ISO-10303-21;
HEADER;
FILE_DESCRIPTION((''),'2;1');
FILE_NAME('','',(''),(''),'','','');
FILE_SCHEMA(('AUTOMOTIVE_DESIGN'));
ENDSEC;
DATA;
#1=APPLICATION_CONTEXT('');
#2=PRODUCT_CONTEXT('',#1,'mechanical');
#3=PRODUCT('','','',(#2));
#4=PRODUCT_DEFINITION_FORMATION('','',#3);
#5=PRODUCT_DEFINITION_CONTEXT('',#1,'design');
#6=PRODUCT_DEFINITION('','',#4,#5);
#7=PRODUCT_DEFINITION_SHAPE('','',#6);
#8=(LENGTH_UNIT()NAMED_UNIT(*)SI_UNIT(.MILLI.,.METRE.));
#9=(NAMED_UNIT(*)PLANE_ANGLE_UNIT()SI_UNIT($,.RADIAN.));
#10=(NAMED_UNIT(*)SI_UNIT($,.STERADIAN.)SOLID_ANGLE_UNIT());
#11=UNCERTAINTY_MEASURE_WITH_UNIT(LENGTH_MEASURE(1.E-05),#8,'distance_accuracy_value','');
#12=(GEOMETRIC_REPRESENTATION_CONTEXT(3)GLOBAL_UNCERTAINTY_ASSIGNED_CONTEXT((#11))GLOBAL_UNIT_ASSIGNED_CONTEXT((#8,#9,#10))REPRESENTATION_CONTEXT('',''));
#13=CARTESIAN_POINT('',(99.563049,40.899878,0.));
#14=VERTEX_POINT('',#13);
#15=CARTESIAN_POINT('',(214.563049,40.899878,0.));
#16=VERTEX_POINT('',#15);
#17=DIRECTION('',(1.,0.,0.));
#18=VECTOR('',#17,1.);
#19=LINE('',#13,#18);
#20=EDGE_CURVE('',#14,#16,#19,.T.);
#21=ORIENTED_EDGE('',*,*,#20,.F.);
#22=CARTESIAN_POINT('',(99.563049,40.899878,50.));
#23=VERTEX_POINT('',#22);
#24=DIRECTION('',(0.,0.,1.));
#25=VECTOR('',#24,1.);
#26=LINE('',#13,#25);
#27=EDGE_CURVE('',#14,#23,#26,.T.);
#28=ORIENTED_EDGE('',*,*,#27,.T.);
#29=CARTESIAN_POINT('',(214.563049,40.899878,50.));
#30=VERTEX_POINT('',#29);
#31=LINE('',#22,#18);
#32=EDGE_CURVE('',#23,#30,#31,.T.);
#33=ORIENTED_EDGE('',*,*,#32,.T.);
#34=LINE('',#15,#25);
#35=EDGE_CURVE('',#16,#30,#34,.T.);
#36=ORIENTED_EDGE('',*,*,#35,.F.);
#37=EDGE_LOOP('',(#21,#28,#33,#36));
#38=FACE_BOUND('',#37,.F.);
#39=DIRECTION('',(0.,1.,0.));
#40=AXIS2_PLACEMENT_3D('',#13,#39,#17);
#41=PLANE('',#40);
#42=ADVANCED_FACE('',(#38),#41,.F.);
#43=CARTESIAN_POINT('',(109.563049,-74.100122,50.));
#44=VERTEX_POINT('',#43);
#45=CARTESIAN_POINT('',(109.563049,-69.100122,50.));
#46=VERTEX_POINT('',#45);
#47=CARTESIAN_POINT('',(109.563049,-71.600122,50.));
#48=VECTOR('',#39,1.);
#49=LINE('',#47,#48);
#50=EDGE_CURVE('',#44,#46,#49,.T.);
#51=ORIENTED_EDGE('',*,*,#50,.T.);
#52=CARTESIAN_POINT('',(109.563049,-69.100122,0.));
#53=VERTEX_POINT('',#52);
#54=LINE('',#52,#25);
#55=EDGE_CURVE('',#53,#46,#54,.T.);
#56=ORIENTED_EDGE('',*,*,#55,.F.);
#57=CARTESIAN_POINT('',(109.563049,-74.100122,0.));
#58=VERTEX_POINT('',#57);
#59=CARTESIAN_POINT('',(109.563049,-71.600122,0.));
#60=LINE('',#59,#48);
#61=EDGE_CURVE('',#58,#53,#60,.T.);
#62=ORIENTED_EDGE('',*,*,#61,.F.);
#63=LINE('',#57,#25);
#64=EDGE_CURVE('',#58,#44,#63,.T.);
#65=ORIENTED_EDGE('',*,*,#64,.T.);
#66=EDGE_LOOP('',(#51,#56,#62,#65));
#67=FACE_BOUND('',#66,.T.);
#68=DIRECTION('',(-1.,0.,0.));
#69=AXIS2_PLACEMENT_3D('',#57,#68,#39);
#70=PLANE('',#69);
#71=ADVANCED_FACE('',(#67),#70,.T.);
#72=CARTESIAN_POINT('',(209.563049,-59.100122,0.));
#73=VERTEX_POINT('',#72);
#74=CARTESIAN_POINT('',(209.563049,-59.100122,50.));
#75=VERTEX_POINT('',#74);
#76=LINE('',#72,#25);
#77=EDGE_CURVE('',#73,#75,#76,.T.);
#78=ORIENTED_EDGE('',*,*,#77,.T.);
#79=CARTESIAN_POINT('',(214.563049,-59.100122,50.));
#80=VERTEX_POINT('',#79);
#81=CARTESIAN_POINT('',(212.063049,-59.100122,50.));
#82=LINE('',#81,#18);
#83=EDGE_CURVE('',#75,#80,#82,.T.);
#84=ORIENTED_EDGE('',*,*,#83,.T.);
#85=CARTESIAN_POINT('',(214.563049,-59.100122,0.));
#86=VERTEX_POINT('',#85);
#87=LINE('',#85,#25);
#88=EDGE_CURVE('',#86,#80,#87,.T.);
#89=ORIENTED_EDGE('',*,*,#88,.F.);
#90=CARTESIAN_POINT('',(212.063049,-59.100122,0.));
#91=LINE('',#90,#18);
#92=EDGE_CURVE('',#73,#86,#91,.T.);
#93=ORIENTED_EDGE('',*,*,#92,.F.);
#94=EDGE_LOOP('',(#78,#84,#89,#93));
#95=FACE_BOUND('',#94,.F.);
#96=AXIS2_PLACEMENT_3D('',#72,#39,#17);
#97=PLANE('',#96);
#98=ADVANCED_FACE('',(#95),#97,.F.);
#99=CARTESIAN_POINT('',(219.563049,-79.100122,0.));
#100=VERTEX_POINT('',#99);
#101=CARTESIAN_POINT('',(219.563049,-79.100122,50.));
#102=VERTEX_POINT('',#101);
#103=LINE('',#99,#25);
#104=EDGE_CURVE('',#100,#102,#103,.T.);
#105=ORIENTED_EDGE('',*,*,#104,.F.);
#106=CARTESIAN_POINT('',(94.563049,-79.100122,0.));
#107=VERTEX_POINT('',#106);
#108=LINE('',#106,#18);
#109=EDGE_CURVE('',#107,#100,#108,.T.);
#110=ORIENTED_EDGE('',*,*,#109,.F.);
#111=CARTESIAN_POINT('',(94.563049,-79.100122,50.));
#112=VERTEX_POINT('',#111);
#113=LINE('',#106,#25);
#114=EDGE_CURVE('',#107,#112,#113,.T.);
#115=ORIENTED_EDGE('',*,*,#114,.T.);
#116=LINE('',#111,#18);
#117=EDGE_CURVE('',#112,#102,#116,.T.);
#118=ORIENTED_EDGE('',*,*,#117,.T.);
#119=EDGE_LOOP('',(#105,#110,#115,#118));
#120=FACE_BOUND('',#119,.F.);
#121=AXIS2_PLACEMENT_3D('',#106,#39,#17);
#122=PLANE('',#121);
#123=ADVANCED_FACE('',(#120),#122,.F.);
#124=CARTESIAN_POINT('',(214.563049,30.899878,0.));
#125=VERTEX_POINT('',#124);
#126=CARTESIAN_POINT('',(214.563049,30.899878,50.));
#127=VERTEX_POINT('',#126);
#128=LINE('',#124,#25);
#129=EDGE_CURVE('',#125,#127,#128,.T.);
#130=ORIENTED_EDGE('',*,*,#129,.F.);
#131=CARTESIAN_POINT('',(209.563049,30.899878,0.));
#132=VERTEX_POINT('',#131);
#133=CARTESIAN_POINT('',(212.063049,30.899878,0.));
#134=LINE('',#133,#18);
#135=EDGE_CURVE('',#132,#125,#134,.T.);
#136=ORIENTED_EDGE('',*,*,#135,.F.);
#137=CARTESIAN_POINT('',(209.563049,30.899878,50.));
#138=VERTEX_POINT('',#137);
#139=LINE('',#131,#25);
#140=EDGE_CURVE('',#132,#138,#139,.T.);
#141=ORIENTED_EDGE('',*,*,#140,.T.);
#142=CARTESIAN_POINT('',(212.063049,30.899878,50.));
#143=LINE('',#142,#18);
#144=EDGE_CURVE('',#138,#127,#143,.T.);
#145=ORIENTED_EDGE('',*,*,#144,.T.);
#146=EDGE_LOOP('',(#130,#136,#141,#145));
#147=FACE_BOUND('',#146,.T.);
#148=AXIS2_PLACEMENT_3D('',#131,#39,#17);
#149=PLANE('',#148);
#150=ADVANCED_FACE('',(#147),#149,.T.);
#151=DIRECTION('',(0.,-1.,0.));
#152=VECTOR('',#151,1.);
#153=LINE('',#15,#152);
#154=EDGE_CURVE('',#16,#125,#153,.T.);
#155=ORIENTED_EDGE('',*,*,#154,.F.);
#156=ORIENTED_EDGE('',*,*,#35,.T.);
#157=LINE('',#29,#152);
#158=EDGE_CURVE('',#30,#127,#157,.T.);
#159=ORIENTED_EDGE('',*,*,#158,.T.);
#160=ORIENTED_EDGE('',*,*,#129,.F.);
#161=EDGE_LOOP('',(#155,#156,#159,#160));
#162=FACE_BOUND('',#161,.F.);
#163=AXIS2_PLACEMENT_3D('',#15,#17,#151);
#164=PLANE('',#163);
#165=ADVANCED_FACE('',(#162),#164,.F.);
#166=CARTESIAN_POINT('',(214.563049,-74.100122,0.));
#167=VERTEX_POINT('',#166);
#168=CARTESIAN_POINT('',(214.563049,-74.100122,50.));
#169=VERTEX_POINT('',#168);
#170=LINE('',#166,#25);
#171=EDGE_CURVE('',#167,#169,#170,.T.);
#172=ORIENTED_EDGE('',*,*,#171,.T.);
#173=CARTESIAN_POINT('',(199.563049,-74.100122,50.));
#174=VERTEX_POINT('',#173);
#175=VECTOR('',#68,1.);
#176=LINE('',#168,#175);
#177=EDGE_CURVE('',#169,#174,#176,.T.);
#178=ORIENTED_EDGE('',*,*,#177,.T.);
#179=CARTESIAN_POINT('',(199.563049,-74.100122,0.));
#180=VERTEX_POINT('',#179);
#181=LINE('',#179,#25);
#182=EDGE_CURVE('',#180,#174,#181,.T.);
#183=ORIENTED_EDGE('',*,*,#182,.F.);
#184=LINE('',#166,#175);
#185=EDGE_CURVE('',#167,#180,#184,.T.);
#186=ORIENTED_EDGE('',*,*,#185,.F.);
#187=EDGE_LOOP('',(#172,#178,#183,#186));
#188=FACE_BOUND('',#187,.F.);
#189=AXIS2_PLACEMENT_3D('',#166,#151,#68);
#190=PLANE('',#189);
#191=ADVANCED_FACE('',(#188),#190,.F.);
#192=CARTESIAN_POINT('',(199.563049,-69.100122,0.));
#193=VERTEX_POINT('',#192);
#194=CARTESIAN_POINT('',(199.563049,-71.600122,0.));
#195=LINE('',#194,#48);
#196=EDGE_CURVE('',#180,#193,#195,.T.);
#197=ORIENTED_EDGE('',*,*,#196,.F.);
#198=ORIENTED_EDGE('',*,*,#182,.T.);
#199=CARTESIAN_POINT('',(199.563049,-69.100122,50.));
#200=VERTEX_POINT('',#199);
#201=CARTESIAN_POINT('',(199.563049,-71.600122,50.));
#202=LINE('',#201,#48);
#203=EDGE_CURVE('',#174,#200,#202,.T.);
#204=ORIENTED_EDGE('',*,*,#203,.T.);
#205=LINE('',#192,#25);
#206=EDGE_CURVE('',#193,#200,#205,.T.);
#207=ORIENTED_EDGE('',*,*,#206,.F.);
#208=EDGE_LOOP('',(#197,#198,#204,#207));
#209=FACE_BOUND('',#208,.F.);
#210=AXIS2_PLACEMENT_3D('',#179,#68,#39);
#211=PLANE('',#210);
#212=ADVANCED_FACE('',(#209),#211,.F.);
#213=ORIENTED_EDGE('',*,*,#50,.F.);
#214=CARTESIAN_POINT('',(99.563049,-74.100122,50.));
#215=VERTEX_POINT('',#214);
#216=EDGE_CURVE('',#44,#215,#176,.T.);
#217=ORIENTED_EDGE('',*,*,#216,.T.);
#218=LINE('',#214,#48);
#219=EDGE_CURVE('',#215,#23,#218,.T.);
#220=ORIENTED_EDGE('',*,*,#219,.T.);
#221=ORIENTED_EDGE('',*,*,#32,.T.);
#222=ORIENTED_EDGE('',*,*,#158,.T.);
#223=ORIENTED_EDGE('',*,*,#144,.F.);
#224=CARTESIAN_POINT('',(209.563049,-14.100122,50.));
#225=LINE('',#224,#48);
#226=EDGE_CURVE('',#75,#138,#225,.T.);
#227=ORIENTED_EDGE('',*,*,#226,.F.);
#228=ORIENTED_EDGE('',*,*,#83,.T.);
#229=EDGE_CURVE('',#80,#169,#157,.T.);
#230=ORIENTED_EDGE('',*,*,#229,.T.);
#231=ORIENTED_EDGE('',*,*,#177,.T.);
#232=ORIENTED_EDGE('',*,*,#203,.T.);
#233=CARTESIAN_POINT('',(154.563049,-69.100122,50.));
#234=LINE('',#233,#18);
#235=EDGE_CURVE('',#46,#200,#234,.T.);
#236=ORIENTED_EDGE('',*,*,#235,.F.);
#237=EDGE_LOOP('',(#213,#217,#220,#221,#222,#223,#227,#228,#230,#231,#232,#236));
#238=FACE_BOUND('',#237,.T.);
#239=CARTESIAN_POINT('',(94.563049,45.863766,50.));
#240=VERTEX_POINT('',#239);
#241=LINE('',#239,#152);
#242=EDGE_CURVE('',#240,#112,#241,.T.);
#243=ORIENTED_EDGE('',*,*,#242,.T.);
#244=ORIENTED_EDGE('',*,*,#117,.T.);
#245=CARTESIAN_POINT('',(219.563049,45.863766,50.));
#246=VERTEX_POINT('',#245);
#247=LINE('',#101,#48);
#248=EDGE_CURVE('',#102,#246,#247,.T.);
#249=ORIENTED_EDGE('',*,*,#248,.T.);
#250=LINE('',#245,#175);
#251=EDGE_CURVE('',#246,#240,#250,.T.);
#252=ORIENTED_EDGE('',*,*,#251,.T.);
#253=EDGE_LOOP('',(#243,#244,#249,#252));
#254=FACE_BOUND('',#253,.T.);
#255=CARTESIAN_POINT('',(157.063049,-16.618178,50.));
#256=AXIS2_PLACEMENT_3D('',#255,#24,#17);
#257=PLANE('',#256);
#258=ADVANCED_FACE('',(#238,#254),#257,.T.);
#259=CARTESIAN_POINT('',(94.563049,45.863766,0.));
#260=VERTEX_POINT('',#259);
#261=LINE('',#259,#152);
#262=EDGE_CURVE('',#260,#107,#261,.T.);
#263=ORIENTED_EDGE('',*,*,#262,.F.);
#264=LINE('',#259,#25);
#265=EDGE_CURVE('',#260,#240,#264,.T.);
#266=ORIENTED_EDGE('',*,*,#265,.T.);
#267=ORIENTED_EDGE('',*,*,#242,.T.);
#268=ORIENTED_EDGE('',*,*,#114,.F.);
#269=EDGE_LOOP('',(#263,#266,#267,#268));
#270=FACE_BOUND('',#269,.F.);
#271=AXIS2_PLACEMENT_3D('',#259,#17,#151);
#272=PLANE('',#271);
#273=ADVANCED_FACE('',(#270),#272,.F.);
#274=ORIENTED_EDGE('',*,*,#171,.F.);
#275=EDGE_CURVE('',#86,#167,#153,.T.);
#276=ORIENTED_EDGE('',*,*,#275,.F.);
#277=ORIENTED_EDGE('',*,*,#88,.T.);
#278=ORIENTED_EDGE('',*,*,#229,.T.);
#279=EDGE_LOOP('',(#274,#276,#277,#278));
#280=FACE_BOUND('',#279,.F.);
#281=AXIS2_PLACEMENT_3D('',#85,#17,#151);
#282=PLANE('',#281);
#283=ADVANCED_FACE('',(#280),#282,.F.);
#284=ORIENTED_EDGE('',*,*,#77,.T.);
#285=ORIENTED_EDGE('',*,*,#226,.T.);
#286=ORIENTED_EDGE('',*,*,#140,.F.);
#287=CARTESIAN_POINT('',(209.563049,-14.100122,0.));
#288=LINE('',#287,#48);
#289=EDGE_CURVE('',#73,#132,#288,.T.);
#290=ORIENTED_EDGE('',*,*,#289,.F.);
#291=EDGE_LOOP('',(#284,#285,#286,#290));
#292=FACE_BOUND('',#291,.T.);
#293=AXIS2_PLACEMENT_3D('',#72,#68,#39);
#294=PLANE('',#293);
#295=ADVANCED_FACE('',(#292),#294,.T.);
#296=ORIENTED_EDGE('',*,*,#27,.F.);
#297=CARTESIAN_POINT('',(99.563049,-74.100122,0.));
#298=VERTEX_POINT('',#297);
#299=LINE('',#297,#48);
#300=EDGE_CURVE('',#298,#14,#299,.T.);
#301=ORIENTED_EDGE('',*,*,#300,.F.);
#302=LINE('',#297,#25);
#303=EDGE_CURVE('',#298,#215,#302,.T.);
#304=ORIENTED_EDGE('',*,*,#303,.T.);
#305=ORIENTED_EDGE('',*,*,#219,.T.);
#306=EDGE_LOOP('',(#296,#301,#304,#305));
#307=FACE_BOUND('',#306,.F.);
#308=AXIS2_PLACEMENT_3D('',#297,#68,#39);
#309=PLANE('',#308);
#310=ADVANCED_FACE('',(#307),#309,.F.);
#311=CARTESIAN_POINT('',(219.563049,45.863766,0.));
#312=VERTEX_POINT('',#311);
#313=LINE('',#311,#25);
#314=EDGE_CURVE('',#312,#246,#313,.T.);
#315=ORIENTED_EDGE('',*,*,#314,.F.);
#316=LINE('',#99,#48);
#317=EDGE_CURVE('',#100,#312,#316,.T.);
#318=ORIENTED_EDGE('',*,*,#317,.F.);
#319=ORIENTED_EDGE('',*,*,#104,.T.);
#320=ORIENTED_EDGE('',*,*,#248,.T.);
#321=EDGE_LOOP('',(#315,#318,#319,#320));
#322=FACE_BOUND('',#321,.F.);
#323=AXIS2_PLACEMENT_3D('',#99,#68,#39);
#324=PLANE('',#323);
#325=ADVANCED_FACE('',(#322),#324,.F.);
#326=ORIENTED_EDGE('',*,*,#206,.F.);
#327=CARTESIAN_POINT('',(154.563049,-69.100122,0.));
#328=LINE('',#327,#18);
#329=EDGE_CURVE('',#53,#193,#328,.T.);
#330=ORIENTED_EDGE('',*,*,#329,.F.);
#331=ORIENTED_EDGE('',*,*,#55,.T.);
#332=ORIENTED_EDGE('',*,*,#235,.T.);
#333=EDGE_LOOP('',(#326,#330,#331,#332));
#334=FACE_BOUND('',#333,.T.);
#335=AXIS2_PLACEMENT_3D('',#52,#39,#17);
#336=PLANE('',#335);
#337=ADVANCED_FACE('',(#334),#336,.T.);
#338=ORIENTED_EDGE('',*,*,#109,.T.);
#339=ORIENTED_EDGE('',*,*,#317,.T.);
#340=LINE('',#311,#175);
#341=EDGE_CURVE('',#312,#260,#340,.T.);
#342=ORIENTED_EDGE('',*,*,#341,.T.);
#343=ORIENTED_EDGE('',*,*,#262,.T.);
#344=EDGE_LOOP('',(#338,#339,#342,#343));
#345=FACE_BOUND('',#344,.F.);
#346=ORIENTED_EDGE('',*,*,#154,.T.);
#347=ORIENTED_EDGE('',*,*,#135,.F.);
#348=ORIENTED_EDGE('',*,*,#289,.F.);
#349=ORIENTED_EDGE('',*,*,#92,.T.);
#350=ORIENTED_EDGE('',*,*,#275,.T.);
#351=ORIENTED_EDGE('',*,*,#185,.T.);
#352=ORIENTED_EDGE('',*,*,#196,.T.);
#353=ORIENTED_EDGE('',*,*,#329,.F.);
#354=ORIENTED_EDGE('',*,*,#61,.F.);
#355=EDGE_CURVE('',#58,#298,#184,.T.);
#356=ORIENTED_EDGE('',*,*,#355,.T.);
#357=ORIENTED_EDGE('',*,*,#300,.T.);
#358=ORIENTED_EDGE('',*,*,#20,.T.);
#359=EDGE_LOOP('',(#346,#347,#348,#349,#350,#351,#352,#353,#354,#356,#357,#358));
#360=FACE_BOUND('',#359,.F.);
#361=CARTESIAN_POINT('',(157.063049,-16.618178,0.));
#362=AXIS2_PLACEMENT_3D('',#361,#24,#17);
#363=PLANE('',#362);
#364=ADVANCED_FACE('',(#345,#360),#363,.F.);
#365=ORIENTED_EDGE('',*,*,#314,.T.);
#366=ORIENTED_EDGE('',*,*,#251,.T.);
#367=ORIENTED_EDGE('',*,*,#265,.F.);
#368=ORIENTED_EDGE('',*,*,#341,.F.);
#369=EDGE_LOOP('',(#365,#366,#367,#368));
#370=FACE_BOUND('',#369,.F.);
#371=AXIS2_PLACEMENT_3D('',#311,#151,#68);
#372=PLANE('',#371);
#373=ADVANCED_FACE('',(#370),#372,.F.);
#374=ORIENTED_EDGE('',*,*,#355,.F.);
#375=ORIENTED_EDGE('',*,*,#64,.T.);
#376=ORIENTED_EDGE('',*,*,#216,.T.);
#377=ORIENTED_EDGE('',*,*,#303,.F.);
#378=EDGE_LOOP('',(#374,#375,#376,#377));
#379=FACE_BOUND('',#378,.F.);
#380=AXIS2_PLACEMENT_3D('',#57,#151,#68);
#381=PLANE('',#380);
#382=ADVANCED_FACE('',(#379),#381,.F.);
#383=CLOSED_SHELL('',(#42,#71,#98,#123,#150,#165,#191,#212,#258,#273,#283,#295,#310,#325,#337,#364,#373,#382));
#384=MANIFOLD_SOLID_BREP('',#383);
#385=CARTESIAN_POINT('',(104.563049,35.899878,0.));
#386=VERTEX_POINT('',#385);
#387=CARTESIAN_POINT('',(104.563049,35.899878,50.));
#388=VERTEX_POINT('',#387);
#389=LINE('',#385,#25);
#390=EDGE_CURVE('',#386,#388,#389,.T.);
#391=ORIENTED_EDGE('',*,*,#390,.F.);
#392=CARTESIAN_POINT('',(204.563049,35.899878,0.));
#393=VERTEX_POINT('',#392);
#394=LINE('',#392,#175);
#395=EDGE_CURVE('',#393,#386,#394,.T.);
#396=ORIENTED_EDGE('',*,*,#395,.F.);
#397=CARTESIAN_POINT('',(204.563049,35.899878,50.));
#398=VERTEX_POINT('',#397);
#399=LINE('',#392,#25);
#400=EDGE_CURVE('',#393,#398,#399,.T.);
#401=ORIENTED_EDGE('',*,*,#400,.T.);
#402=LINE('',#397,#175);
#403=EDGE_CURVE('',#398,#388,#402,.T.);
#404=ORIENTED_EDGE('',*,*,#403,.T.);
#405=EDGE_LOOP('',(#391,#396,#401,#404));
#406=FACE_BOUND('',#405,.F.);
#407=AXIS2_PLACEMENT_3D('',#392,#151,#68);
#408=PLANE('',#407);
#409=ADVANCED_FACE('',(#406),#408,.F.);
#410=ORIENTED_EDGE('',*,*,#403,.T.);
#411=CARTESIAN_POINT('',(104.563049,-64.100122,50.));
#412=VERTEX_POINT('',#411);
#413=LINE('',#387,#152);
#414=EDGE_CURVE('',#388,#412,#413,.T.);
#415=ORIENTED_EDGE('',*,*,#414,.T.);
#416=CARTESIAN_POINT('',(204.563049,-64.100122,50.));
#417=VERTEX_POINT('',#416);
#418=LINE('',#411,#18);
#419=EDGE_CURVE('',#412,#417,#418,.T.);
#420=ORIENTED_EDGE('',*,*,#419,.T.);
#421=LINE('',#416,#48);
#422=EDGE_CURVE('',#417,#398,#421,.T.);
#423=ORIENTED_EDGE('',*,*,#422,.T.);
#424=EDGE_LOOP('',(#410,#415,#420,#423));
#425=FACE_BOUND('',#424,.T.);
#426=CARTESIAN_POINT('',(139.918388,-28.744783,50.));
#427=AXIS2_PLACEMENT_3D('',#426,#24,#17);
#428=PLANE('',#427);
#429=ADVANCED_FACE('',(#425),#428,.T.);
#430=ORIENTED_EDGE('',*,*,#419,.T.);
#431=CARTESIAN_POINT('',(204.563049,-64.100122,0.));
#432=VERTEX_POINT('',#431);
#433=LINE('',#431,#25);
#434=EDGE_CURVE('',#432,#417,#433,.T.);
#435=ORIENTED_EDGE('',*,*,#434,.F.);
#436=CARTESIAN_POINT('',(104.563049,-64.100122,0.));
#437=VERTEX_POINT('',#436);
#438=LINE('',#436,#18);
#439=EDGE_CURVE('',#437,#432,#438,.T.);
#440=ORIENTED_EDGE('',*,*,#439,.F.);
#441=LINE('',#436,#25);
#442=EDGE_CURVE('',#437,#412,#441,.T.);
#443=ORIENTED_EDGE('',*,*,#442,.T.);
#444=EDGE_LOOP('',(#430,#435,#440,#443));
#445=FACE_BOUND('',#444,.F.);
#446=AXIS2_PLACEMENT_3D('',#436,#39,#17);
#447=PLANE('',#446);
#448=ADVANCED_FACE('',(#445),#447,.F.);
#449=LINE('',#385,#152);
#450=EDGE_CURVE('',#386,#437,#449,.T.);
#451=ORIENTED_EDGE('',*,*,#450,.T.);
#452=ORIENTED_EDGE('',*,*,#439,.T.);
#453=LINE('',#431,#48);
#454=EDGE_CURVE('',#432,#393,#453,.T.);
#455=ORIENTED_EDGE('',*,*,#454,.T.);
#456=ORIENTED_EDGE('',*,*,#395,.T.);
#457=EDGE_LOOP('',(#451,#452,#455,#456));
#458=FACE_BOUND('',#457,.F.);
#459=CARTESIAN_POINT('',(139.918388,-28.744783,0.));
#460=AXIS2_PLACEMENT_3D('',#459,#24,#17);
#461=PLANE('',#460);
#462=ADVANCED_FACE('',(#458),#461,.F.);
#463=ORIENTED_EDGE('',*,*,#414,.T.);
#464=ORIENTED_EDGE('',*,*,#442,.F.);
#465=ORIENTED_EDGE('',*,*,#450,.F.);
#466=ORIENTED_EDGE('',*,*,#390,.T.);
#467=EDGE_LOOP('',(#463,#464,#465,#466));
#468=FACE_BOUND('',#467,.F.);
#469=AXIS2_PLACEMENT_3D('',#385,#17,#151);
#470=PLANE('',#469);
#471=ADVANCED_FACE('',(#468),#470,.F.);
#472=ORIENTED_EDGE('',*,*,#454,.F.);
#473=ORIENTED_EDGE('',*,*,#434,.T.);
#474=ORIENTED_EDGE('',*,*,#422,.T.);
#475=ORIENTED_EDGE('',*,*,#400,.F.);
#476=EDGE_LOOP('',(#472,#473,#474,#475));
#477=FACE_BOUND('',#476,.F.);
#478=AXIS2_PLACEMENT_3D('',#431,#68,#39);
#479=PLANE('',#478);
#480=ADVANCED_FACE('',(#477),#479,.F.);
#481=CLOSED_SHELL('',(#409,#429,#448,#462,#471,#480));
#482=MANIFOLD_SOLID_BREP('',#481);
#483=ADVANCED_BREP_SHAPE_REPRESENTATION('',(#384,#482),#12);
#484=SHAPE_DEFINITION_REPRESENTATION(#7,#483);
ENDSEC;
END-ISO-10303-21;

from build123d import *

# Parameters (mm, degrees)
F2_DEPTH = 50
F1_W     = 90
F1_H     = 5
F1_W_2   = 5
F1_H_2   = 90
F3_DEPTH = 50


with BuildPart() as f2:
    # F0 (on Top) → F2 (new body)
    with BuildSketch(Plane.XY):
        Polygon((204.563049, -64.100122), (104.563049, 35.899878), (104.563049, -64.100122), align=None)
        Polygon((204.563049, 35.899878), (104.563049, 35.899878), (204.563049, -64.100122), align=None)
    extrude(amount=F2_DEPTH)


with BuildPart() as f3:
    # F1 (on Top) → F3 (new body)
    with BuildSketch(Plane.XY):
        Polygon((94.563049, -79.100122), (99.563049, -79.100122), (219.563049, -79.100122), (219.563049, 40.899878), (219.563049, 45.863766), (99.563049, 45.863766), (94.563049, 45.863766), (94.563049, 40.899878), align=None)
        Polygon((99.563049, -74.100122), (99.563049, 40.899878), (214.563049, 40.899878), (214.563049, 30.899878), (214.563049, -59.100122), (214.563049, -74.100122), (199.563049, -74.100122), (109.563049, -74.100122), align=None, mode=Mode.SUBTRACT)
        with Locations((154.563049, -71.600122)):
            Rectangle(F1_W, F1_H)
        with Locations((212.063049, -14.100122)):
            Rectangle(F1_W_2, F1_H_2)
    extrude(amount=F3_DEPTH)


solid = Compound([f2.part, f3.part])
